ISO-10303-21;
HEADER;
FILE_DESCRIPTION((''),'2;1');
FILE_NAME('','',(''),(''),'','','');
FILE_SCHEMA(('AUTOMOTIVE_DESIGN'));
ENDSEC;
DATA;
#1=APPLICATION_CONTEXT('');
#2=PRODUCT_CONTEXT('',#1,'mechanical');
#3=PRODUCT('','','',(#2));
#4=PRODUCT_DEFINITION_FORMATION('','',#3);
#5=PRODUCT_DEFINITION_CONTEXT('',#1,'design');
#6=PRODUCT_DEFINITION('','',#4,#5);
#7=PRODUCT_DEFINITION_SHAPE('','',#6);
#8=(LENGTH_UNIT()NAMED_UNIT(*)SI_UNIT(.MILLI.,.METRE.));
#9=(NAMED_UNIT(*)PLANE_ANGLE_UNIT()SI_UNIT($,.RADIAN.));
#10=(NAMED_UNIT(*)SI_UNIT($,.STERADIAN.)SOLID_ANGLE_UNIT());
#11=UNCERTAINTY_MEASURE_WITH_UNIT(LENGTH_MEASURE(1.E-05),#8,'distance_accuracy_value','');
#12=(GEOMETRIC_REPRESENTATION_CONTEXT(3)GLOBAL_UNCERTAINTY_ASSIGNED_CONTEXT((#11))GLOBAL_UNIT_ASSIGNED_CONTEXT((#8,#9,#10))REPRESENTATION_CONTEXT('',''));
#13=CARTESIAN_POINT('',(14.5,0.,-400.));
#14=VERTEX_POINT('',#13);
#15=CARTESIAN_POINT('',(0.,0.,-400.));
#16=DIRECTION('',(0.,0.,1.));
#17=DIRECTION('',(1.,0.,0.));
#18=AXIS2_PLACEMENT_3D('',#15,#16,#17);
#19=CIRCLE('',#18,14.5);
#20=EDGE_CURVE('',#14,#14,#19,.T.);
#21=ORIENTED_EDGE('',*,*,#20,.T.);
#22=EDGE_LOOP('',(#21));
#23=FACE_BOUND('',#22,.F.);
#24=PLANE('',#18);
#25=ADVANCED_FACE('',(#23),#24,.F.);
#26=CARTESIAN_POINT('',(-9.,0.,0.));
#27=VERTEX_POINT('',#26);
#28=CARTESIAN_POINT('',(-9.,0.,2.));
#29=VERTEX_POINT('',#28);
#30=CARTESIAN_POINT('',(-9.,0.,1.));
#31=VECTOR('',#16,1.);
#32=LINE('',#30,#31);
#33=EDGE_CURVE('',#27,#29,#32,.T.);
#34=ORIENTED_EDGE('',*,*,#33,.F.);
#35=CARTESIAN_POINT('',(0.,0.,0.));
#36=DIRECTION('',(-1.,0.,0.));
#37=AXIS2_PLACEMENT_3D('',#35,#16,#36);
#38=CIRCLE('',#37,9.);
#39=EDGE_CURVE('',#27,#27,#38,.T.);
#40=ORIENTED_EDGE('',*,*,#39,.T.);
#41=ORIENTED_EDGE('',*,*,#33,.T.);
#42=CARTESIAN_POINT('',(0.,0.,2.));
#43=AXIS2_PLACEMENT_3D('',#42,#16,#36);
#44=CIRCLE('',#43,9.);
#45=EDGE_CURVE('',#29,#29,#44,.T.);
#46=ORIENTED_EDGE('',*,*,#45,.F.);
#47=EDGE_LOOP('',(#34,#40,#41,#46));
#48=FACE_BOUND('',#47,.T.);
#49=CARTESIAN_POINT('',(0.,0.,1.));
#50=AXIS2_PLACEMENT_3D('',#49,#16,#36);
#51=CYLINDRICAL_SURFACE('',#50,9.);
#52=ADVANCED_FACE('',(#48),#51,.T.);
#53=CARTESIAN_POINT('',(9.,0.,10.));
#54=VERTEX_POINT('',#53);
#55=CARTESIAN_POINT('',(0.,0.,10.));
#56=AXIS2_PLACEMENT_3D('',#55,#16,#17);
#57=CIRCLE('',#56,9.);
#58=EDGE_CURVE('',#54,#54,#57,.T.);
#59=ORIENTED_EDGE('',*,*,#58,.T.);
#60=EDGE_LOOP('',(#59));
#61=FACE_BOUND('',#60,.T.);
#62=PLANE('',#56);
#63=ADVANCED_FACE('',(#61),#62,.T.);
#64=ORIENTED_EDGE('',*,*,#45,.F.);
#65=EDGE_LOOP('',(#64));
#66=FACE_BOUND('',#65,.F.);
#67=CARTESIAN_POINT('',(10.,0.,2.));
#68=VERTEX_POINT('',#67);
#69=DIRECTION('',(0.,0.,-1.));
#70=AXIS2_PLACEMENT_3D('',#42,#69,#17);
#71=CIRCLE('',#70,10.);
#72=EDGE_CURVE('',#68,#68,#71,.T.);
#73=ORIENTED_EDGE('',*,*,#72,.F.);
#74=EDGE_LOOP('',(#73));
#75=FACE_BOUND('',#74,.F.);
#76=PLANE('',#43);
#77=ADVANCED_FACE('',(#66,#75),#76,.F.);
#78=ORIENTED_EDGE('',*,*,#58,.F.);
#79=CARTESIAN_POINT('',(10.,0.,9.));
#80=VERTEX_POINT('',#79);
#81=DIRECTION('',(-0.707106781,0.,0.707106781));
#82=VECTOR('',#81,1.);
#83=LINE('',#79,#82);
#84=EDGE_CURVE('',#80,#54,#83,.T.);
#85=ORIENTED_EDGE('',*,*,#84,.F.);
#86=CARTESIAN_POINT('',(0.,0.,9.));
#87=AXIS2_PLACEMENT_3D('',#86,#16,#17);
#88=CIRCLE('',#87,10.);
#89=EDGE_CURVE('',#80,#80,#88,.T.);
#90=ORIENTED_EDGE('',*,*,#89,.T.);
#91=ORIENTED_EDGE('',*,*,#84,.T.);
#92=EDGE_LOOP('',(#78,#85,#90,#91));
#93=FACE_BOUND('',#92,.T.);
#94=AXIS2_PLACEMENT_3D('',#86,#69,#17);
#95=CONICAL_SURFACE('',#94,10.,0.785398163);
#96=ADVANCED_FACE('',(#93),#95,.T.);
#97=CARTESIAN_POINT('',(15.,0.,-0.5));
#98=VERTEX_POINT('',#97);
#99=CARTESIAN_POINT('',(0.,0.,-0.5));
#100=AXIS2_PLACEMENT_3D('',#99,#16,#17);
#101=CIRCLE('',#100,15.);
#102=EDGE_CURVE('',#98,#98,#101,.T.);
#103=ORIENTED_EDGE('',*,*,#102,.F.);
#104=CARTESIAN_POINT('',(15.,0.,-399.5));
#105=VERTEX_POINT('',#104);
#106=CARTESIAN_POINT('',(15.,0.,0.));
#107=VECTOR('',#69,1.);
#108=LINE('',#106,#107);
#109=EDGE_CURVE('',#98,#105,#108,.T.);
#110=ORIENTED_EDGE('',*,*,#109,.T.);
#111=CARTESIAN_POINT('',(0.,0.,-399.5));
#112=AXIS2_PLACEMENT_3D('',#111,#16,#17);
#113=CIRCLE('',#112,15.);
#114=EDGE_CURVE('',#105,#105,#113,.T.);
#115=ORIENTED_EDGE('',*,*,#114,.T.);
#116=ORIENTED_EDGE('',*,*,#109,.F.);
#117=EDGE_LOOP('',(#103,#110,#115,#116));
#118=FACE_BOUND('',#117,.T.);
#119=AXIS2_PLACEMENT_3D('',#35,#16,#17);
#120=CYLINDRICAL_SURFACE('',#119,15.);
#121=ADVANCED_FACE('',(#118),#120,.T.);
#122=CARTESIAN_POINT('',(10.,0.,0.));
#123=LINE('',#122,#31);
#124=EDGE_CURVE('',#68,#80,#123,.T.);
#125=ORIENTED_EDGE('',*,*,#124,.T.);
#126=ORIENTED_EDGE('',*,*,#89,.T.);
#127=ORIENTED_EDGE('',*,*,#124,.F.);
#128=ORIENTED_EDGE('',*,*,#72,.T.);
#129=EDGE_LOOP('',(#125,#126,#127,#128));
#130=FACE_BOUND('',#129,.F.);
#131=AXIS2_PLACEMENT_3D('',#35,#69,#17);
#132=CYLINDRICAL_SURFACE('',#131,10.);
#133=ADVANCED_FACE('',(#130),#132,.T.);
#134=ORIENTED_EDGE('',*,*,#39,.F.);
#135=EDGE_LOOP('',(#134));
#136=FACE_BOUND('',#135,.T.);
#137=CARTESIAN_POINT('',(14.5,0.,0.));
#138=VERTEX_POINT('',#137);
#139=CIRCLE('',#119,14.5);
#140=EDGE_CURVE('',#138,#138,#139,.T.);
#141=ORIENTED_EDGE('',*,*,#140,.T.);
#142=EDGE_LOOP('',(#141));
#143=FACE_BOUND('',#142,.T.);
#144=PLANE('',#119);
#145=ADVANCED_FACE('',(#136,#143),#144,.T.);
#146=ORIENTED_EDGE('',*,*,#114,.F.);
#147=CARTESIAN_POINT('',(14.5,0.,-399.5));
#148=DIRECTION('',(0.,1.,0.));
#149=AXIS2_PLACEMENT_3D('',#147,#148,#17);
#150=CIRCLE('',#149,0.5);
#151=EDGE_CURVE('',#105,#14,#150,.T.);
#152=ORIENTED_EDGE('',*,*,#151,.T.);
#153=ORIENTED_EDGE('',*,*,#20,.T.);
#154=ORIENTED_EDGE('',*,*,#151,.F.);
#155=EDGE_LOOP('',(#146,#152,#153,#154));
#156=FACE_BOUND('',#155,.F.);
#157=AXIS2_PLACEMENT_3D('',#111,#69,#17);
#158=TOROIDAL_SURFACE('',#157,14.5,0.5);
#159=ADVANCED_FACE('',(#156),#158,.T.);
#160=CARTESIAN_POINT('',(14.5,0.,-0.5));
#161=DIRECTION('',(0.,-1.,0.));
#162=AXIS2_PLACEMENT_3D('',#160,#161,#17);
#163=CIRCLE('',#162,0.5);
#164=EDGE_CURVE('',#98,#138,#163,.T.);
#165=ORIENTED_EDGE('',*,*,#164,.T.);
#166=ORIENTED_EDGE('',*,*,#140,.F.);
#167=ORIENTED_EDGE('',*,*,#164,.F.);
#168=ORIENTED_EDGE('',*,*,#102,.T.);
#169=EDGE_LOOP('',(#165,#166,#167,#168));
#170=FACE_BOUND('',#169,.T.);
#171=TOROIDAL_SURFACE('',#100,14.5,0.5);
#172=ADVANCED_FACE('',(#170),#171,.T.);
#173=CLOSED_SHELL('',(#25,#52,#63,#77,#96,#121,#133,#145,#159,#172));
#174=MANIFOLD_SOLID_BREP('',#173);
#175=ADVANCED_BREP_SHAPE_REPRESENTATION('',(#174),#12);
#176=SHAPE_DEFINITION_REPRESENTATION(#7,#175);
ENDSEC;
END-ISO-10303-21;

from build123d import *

# Parameters (mm, degrees)
F0_R     = 15
F1_DEPTH = 400
F2_R     = 10
F3_DEPTH = 10
F4_R     = 0.5
F5_SIZE  = 1
F6_W     = 1
F6_H     = 2


with BuildPart() as f1:
    # F0 (on Top) → F1 (new body)
    with BuildSketch(Plane.XY):
        Circle(F0_R)
    extrude(amount=-F1_DEPTH)

    # F2 (on face) → F3 (join)
    with BuildSketch(Plane.XY):
        Circle(F2_R)
    extrude(amount=F3_DEPTH)

    # F4
    f4_edges = [f1.edges().sort_by_distance(p)[0] for p in [
        (-15, 0, -400),
        (-15, 0, 0),
    ]]
    fillet(f4_edges, radius=F4_R)

    # F5
    f5_edges = [f1.edges().sort_by_distance(p)[0] for p in [
        (-10, 0, 10),
    ]]
    chamfer(f5_edges, length=F5_SIZE)

    # F6 (on Front) → F7 (revolve, cut)
    with BuildSketch(Plane.XZ):
        with Locations((-9.5, 1)):
            Rectangle(F6_W, F6_H)
    revolve(axis=Axis((0, 0, 12.057068), (0, 0, 1)), mode=Mode.SUBTRACT)


solid = f1.part
